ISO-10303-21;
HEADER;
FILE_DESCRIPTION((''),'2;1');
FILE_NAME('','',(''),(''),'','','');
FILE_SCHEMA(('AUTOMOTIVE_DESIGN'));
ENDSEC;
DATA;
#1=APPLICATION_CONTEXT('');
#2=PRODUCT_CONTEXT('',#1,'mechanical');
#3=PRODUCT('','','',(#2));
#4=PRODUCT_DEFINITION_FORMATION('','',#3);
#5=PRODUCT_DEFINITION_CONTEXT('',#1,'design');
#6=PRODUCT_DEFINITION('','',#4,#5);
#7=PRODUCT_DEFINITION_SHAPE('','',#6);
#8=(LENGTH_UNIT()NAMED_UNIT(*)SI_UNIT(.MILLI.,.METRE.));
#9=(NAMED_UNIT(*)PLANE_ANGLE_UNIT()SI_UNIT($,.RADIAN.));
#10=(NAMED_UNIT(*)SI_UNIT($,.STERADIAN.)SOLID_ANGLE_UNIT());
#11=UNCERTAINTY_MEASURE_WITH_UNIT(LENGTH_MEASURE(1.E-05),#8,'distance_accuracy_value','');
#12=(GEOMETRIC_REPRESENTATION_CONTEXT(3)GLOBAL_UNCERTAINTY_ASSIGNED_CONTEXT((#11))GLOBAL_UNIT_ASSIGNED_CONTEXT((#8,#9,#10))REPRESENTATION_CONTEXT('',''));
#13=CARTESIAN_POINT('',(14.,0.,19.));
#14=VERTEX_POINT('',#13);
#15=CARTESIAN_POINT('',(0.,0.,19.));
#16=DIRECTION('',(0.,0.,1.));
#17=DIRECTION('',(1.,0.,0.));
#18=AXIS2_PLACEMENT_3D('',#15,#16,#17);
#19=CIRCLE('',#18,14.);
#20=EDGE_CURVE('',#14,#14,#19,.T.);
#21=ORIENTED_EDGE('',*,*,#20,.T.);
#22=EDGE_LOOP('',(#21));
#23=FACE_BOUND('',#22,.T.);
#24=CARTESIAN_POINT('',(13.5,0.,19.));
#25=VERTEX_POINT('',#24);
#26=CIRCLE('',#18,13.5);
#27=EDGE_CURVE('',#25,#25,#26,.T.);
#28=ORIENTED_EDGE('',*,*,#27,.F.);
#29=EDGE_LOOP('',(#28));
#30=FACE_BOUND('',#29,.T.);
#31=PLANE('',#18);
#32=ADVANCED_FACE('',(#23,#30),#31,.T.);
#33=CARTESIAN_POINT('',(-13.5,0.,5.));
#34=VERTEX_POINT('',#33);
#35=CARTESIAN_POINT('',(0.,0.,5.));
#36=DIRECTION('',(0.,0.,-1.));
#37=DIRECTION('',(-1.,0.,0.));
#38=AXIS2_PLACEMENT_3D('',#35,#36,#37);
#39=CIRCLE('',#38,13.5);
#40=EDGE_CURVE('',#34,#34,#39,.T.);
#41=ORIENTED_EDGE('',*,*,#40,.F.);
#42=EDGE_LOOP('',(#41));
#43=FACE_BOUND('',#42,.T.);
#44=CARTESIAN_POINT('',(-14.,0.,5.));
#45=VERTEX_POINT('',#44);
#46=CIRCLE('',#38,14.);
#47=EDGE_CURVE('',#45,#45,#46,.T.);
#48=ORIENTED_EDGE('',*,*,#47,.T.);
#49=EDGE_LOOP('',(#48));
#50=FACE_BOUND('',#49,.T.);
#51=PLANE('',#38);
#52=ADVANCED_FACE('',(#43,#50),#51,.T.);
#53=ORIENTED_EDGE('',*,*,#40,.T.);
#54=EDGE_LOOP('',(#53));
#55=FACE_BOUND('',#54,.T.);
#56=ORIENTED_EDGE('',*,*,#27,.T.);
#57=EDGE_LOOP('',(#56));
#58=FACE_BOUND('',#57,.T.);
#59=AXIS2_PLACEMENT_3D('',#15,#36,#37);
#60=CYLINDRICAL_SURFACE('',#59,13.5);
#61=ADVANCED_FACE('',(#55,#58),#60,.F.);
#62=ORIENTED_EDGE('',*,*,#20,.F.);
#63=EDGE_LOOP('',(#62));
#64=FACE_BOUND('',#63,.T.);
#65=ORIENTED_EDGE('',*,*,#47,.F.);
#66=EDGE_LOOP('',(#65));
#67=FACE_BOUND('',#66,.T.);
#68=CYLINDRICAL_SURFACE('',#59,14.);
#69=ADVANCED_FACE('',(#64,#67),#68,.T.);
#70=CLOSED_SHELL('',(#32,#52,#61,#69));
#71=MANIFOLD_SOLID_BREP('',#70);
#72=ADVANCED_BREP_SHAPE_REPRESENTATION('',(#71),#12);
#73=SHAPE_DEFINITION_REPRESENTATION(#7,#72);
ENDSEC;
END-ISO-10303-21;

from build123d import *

# Parameters (mm, degrees)
SKETCH1_R           = 14
SKETCH1_R_2         = 13.5
BOSS_EXTRUDE1_DEPTH = 19
SKETCH2_R           = 22.693972539
SKETCH2_R_2         = 8.205109265
CUT_EXTRUDE1_DEPTH  = 5


with BuildPart() as part:
    # Sketch1 → Boss-Extrude1 (new body)
    with BuildSketch(Plane.XY):
        Circle(SKETCH1_R)
        Circle(SKETCH1_R_2, mode=Mode.SUBTRACT)
    extrude(amount=BOSS_EXTRUDE1_DEPTH)

    # Sketch2 → Cut-Extrude1 (cut)
    with BuildSketch(Plane(origin=(0, 0, 0), x_dir=(-1, 0, 0), z_dir=(0, 0, -1))):
        Circle(SKETCH2_R)
        Circle(SKETCH2_R_2, mode=Mode.SUBTRACT)
    extrude(amount=-CUT_EXTRUDE1_DEPTH, mode=Mode.SUBTRACT)


solid = part.part
